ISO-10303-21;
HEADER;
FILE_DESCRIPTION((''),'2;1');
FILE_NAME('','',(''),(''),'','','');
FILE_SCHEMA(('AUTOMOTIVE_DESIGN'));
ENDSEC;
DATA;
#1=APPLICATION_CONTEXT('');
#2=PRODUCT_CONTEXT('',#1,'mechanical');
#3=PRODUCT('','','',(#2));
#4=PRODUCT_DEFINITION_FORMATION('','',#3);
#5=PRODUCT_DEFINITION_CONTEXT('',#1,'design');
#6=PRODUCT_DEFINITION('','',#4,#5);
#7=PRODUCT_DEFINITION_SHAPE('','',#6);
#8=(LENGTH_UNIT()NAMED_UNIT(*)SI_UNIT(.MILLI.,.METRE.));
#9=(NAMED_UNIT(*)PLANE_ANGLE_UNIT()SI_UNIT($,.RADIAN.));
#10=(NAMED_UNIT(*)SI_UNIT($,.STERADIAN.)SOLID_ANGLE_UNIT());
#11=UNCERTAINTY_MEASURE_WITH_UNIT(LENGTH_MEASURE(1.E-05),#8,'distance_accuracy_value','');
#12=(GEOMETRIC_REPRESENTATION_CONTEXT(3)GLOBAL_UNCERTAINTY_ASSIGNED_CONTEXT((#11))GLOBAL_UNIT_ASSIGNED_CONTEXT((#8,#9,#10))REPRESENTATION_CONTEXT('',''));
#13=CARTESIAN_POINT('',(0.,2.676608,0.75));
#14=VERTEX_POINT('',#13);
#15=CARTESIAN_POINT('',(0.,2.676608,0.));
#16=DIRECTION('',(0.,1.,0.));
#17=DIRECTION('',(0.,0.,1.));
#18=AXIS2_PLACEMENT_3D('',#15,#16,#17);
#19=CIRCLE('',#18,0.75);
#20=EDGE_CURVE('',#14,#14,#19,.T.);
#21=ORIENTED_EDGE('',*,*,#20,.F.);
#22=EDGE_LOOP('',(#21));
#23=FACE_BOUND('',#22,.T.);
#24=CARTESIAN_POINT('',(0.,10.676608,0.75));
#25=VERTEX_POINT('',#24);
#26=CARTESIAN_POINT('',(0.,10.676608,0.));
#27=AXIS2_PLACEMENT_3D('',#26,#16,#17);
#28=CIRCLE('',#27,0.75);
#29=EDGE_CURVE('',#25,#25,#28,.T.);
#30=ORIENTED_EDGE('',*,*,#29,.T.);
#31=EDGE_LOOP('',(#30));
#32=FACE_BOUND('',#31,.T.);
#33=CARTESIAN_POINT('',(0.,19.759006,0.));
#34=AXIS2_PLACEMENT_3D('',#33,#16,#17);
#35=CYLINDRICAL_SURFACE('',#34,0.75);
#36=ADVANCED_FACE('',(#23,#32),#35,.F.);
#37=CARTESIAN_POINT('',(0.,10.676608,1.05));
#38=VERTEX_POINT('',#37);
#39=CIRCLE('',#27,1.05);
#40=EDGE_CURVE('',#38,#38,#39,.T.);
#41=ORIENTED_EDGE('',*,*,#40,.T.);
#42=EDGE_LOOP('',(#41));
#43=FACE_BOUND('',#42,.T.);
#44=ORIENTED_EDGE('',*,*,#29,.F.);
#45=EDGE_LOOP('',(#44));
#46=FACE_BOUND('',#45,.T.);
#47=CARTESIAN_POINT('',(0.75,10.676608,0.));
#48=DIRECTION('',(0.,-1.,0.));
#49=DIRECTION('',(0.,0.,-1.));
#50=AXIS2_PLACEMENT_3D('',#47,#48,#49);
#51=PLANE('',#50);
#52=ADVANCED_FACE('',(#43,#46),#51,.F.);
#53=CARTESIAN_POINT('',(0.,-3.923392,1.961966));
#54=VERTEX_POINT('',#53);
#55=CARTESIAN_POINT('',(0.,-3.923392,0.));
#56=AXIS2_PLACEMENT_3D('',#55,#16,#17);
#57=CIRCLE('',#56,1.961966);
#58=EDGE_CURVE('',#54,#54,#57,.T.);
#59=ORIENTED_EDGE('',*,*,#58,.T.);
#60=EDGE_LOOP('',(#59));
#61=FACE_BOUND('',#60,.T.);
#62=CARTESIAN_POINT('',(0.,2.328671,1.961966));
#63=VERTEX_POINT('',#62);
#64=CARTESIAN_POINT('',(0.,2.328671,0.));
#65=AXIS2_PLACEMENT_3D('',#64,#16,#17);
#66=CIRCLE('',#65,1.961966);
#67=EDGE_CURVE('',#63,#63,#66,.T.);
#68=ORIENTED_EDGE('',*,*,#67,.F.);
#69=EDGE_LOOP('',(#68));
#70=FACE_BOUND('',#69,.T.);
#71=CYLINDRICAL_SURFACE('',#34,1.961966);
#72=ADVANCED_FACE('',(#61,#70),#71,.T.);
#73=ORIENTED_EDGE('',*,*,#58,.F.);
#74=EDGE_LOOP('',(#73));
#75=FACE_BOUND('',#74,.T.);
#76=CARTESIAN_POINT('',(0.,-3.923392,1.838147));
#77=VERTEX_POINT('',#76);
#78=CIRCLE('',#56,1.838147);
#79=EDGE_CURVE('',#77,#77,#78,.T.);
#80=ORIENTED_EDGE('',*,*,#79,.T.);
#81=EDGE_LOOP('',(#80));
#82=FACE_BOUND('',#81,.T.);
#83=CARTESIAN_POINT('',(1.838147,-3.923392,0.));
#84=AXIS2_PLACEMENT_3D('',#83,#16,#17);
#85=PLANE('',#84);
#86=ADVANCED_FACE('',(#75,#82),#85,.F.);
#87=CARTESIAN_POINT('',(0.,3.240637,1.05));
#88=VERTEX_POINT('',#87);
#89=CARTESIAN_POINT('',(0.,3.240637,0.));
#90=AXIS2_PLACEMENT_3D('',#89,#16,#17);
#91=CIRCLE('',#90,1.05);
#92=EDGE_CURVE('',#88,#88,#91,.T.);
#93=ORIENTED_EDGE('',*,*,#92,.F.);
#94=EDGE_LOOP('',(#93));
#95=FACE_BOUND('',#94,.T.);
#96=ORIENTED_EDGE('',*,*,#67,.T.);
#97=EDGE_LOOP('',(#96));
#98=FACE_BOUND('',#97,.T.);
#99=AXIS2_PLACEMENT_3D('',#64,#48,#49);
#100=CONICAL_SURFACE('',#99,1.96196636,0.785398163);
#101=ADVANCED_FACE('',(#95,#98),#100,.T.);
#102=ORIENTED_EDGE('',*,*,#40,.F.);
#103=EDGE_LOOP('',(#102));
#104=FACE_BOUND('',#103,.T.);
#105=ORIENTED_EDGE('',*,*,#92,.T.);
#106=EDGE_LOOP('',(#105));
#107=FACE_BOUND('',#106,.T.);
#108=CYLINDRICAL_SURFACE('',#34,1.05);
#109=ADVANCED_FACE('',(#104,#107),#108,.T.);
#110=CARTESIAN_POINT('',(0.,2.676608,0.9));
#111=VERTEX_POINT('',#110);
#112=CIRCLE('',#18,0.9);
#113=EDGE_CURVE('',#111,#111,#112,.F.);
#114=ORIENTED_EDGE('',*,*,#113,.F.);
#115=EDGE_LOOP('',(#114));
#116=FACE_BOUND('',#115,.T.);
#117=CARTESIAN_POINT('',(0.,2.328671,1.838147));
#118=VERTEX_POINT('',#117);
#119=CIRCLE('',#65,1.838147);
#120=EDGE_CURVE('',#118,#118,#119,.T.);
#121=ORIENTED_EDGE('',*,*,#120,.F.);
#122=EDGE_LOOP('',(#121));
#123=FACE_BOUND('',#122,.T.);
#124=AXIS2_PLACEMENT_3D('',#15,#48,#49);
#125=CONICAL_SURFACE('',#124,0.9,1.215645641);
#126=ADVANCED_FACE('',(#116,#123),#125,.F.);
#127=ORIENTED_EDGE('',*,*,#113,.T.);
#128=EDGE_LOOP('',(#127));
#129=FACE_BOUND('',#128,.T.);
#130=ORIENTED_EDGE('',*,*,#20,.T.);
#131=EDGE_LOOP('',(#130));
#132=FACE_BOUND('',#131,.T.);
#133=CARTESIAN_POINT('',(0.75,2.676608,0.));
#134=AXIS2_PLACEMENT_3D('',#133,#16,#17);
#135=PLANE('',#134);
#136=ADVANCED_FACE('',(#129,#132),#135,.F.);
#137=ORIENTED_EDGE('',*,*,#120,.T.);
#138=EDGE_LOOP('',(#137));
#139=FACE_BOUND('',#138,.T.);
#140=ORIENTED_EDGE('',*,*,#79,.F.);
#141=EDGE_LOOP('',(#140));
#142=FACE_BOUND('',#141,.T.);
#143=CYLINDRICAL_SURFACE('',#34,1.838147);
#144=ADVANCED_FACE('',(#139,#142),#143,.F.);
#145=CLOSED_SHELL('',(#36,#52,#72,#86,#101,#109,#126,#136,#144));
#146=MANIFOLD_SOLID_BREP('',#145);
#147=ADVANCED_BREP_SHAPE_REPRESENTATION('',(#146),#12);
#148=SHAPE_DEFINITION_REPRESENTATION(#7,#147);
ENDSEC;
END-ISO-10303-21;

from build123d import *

# Parameters (mm, degrees)
SKETCH2_W = 0.3
SKETCH2_H = 8


with BuildPart() as part:
    # Sketch3 → Revolve1 (revolve)
    with BuildSketch(Plane.XY):
        Polygon((0.9, 2.676607812), (1.05, 2.676607812), (1.05, 3.240637489), (1.96196636, 2.328671129), (1.96196636, -3.923392188), (1.838146931, -3.923392188), (1.838146931, 2.328671129), align=None)
    revolve(axis=Axis((0, 19.759006236, 0), (0, -1, 0)))

    # Sketch2 → Revolve2 (revolve)
    with BuildSketch(Plane.XY):
        with Locations((0.9, 6.676607812)):
            Rectangle(SKETCH2_W, SKETCH2_H)
    revolve(axis=Axis((0, 19.759006236, 0), (0, -1, 0)))


solid = part.part
